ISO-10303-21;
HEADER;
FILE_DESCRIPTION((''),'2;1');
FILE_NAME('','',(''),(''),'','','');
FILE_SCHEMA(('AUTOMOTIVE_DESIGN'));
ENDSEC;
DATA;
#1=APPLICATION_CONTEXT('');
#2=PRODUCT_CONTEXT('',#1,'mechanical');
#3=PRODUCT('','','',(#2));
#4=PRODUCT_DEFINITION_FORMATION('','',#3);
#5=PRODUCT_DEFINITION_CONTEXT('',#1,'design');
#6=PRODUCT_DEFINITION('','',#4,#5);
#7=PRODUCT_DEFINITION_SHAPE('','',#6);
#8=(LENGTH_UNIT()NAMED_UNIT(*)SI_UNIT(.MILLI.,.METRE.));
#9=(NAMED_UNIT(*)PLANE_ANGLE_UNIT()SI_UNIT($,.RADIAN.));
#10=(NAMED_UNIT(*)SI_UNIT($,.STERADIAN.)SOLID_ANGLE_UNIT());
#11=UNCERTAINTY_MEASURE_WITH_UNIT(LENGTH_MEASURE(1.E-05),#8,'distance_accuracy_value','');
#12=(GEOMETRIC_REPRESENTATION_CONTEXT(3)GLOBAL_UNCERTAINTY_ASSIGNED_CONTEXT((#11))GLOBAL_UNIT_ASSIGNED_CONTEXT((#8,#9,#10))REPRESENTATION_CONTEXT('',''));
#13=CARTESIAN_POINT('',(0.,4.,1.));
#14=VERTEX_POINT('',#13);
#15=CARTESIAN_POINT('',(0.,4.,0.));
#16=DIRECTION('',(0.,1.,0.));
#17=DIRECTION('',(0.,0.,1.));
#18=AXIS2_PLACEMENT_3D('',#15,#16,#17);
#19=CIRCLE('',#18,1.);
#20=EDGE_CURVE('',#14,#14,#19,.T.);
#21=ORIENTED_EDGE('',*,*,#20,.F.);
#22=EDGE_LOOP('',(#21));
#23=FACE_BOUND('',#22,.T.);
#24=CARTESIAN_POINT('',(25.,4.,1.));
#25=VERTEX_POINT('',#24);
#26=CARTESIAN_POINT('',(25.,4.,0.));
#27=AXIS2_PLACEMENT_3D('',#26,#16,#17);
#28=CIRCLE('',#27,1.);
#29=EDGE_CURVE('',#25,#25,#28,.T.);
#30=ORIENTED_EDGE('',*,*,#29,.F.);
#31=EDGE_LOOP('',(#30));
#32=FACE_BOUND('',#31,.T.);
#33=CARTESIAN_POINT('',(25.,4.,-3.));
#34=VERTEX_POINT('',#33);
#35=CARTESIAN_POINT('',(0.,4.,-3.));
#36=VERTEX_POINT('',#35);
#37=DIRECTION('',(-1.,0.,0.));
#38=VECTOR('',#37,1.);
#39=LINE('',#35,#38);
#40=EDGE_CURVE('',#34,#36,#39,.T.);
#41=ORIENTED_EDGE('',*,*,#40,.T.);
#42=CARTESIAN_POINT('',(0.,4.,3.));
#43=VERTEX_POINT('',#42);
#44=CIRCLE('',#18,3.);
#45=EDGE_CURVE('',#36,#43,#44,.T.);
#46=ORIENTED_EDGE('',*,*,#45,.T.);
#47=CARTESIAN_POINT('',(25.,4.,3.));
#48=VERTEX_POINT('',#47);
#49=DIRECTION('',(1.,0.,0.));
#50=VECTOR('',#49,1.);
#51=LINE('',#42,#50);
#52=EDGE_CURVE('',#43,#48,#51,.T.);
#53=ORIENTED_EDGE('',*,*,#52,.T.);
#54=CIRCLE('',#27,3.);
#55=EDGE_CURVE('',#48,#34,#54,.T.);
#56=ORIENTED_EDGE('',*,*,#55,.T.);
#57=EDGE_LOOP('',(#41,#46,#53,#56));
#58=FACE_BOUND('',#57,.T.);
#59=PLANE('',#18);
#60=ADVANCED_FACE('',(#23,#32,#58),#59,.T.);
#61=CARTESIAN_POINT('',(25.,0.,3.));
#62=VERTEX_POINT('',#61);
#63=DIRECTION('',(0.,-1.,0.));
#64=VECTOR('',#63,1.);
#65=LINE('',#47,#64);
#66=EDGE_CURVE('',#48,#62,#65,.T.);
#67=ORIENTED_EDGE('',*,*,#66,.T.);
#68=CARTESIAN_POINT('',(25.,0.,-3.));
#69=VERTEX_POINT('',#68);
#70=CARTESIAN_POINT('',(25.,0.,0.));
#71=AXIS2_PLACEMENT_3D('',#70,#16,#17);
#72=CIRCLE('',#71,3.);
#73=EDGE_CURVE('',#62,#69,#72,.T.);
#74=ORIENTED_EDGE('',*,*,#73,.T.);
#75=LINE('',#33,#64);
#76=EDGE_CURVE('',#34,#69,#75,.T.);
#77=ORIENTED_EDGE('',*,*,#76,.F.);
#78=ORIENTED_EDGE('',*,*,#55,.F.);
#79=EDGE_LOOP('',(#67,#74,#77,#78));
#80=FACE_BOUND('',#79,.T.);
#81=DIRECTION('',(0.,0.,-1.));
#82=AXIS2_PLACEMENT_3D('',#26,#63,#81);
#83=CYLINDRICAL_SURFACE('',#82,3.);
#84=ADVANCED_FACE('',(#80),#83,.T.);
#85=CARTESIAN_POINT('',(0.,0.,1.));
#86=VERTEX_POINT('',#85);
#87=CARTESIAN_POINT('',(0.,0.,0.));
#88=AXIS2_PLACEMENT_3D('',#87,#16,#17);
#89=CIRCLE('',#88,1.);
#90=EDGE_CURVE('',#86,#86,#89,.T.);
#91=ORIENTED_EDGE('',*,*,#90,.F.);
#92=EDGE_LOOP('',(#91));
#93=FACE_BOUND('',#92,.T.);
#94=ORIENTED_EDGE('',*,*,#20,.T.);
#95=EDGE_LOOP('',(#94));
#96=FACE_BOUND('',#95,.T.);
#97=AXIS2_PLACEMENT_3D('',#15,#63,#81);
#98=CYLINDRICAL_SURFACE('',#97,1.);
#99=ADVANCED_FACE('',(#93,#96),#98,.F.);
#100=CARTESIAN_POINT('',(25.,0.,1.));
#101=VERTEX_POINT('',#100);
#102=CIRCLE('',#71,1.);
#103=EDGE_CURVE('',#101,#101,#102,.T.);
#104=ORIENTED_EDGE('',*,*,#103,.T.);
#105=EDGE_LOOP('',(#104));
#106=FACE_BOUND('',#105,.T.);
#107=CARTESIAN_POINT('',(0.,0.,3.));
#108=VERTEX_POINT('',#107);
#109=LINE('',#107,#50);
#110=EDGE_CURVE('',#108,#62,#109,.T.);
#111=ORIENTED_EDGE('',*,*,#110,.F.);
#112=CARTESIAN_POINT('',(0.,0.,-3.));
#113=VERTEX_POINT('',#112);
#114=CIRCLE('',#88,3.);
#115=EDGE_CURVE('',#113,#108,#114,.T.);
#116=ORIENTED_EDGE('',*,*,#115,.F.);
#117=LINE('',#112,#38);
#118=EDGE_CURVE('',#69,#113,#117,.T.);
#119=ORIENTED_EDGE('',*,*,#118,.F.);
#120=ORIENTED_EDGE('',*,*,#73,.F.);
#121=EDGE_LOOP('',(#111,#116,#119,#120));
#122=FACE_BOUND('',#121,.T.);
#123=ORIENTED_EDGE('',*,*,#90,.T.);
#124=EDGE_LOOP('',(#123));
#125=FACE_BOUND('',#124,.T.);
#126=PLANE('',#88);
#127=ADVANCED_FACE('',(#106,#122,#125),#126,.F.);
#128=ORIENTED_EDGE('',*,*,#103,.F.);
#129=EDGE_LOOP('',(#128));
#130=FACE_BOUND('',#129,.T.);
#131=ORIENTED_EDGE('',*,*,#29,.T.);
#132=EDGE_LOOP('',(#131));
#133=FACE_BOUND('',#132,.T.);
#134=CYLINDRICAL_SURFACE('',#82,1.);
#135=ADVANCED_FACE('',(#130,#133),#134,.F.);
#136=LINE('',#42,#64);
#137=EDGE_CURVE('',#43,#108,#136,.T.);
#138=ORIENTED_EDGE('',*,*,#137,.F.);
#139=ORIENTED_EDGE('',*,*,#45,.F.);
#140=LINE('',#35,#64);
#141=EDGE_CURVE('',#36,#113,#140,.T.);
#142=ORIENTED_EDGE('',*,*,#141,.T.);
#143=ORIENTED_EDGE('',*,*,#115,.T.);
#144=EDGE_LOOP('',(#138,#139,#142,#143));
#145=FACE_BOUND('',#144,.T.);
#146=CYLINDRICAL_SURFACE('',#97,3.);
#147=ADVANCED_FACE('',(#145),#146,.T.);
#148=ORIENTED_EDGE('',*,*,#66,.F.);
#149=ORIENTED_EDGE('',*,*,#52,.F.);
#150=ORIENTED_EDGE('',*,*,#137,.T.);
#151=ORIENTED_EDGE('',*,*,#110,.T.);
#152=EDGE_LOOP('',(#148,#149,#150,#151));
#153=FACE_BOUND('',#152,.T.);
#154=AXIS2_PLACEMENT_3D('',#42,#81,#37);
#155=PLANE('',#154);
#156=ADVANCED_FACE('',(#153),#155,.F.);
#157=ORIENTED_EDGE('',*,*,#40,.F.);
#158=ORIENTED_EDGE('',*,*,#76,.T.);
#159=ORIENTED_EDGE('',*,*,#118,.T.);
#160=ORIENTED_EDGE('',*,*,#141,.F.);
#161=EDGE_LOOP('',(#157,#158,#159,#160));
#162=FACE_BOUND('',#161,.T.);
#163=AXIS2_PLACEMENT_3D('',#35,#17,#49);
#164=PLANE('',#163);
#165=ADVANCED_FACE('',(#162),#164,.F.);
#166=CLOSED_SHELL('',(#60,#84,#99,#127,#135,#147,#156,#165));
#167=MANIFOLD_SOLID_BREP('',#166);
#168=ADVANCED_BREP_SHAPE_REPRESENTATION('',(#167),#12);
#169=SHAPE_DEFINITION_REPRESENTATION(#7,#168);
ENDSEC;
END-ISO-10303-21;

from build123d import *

# Parameters (mm, degrees)
SKETCH1_R           = 1
BOSS_EXTRUDE1_DEPTH = 4


with BuildPart() as part:
    # Sketch1 → Boss-Extrude1 (new body)
    with BuildSketch(Plane(origin=(0, 0, 0), x_dir=(1, 0, 0), z_dir=(0, 1, 0))):
        with BuildLine():
            Line((0, 3), (25, 3))
            ThreePointArc((25, 3), (28, 0), (25, -3))
            Line((25, -3), (0, -3))
            ThreePointArc((0, -3), (-3, 0), (0, 3))
        make_face()
        with Locations(Location((25, 0, 0), (0, 0, 270))):
            Circle(SKETCH1_R, mode=Mode.SUBTRACT)
        with Locations(Location((0, 0, 0), (0, 0, 270))):
            Circle(SKETCH1_R, mode=Mode.SUBTRACT)
    extrude(amount=BOSS_EXTRUDE1_DEPTH)


solid = part.part
